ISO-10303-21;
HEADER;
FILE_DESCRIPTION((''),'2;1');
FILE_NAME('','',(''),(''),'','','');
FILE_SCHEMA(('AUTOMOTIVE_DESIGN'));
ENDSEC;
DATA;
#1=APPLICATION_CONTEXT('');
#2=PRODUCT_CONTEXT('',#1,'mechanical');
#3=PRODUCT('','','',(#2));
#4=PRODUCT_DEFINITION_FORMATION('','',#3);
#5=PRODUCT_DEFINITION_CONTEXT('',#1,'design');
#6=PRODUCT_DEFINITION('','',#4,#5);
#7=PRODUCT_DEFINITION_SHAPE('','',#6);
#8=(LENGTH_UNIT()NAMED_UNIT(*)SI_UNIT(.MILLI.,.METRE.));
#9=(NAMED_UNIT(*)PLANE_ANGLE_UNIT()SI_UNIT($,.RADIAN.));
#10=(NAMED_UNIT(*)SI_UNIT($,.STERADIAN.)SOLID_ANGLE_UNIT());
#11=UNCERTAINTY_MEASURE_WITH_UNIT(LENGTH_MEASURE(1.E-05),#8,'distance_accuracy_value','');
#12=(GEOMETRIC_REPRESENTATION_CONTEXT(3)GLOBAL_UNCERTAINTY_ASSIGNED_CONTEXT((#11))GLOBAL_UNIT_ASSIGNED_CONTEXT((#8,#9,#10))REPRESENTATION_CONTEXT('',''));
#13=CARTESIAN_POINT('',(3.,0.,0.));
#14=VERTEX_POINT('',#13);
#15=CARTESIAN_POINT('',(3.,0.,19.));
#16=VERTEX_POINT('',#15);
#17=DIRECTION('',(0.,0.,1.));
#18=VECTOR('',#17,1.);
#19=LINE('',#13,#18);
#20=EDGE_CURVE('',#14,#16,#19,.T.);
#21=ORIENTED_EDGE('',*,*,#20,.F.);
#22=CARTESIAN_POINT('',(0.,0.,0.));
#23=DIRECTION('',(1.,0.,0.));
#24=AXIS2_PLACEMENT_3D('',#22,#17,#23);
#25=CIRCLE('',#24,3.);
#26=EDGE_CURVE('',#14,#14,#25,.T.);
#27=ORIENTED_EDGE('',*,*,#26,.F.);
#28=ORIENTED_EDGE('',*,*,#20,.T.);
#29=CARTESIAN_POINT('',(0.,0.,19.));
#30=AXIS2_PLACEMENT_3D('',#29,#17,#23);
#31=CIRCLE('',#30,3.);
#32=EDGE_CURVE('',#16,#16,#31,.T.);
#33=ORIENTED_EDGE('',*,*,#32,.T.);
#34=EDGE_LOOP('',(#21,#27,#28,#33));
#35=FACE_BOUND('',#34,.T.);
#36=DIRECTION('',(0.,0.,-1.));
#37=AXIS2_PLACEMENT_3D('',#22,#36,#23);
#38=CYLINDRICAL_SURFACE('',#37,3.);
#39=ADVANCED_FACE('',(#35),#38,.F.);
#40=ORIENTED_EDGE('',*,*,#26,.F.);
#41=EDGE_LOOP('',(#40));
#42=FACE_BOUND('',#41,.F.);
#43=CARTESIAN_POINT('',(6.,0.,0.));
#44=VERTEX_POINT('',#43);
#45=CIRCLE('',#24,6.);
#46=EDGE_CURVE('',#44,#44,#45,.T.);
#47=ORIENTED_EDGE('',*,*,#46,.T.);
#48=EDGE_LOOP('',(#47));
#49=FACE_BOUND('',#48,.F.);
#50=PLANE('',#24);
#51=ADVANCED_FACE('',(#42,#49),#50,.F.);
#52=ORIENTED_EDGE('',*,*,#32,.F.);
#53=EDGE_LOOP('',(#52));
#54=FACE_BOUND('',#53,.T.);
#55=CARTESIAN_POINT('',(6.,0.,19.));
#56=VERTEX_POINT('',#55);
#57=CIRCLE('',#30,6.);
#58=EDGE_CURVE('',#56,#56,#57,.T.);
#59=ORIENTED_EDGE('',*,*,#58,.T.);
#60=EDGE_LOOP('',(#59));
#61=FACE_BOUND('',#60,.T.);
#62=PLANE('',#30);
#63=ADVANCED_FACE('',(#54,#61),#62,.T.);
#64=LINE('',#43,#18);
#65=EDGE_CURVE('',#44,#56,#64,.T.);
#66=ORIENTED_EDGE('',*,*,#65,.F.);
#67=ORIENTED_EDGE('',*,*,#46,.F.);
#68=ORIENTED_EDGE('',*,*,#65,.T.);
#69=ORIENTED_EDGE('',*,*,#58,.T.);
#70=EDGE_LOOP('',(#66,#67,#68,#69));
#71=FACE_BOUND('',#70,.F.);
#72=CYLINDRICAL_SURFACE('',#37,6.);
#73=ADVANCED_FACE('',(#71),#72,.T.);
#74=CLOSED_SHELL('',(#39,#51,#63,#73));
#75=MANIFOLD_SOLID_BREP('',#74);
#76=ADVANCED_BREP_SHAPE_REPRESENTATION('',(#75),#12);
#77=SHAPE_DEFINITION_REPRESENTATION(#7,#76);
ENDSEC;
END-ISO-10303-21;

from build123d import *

# Parameters (mm, degrees)
SKETCH_1_R      = 6
SKETCH_1_R_2    = 3
EXTRUDE_1_DEPTH = 19


with BuildPart() as part:
    # ｽｹｯﾁ1 → ﾎﾞｽ - 押し出し1 (new body)
    with BuildSketch(Plane.XY):
        Circle(SKETCH_1_R)
        Circle(SKETCH_1_R_2, mode=Mode.SUBTRACT)
    extrude(amount=EXTRUDE_1_DEPTH)


solid = part.part
